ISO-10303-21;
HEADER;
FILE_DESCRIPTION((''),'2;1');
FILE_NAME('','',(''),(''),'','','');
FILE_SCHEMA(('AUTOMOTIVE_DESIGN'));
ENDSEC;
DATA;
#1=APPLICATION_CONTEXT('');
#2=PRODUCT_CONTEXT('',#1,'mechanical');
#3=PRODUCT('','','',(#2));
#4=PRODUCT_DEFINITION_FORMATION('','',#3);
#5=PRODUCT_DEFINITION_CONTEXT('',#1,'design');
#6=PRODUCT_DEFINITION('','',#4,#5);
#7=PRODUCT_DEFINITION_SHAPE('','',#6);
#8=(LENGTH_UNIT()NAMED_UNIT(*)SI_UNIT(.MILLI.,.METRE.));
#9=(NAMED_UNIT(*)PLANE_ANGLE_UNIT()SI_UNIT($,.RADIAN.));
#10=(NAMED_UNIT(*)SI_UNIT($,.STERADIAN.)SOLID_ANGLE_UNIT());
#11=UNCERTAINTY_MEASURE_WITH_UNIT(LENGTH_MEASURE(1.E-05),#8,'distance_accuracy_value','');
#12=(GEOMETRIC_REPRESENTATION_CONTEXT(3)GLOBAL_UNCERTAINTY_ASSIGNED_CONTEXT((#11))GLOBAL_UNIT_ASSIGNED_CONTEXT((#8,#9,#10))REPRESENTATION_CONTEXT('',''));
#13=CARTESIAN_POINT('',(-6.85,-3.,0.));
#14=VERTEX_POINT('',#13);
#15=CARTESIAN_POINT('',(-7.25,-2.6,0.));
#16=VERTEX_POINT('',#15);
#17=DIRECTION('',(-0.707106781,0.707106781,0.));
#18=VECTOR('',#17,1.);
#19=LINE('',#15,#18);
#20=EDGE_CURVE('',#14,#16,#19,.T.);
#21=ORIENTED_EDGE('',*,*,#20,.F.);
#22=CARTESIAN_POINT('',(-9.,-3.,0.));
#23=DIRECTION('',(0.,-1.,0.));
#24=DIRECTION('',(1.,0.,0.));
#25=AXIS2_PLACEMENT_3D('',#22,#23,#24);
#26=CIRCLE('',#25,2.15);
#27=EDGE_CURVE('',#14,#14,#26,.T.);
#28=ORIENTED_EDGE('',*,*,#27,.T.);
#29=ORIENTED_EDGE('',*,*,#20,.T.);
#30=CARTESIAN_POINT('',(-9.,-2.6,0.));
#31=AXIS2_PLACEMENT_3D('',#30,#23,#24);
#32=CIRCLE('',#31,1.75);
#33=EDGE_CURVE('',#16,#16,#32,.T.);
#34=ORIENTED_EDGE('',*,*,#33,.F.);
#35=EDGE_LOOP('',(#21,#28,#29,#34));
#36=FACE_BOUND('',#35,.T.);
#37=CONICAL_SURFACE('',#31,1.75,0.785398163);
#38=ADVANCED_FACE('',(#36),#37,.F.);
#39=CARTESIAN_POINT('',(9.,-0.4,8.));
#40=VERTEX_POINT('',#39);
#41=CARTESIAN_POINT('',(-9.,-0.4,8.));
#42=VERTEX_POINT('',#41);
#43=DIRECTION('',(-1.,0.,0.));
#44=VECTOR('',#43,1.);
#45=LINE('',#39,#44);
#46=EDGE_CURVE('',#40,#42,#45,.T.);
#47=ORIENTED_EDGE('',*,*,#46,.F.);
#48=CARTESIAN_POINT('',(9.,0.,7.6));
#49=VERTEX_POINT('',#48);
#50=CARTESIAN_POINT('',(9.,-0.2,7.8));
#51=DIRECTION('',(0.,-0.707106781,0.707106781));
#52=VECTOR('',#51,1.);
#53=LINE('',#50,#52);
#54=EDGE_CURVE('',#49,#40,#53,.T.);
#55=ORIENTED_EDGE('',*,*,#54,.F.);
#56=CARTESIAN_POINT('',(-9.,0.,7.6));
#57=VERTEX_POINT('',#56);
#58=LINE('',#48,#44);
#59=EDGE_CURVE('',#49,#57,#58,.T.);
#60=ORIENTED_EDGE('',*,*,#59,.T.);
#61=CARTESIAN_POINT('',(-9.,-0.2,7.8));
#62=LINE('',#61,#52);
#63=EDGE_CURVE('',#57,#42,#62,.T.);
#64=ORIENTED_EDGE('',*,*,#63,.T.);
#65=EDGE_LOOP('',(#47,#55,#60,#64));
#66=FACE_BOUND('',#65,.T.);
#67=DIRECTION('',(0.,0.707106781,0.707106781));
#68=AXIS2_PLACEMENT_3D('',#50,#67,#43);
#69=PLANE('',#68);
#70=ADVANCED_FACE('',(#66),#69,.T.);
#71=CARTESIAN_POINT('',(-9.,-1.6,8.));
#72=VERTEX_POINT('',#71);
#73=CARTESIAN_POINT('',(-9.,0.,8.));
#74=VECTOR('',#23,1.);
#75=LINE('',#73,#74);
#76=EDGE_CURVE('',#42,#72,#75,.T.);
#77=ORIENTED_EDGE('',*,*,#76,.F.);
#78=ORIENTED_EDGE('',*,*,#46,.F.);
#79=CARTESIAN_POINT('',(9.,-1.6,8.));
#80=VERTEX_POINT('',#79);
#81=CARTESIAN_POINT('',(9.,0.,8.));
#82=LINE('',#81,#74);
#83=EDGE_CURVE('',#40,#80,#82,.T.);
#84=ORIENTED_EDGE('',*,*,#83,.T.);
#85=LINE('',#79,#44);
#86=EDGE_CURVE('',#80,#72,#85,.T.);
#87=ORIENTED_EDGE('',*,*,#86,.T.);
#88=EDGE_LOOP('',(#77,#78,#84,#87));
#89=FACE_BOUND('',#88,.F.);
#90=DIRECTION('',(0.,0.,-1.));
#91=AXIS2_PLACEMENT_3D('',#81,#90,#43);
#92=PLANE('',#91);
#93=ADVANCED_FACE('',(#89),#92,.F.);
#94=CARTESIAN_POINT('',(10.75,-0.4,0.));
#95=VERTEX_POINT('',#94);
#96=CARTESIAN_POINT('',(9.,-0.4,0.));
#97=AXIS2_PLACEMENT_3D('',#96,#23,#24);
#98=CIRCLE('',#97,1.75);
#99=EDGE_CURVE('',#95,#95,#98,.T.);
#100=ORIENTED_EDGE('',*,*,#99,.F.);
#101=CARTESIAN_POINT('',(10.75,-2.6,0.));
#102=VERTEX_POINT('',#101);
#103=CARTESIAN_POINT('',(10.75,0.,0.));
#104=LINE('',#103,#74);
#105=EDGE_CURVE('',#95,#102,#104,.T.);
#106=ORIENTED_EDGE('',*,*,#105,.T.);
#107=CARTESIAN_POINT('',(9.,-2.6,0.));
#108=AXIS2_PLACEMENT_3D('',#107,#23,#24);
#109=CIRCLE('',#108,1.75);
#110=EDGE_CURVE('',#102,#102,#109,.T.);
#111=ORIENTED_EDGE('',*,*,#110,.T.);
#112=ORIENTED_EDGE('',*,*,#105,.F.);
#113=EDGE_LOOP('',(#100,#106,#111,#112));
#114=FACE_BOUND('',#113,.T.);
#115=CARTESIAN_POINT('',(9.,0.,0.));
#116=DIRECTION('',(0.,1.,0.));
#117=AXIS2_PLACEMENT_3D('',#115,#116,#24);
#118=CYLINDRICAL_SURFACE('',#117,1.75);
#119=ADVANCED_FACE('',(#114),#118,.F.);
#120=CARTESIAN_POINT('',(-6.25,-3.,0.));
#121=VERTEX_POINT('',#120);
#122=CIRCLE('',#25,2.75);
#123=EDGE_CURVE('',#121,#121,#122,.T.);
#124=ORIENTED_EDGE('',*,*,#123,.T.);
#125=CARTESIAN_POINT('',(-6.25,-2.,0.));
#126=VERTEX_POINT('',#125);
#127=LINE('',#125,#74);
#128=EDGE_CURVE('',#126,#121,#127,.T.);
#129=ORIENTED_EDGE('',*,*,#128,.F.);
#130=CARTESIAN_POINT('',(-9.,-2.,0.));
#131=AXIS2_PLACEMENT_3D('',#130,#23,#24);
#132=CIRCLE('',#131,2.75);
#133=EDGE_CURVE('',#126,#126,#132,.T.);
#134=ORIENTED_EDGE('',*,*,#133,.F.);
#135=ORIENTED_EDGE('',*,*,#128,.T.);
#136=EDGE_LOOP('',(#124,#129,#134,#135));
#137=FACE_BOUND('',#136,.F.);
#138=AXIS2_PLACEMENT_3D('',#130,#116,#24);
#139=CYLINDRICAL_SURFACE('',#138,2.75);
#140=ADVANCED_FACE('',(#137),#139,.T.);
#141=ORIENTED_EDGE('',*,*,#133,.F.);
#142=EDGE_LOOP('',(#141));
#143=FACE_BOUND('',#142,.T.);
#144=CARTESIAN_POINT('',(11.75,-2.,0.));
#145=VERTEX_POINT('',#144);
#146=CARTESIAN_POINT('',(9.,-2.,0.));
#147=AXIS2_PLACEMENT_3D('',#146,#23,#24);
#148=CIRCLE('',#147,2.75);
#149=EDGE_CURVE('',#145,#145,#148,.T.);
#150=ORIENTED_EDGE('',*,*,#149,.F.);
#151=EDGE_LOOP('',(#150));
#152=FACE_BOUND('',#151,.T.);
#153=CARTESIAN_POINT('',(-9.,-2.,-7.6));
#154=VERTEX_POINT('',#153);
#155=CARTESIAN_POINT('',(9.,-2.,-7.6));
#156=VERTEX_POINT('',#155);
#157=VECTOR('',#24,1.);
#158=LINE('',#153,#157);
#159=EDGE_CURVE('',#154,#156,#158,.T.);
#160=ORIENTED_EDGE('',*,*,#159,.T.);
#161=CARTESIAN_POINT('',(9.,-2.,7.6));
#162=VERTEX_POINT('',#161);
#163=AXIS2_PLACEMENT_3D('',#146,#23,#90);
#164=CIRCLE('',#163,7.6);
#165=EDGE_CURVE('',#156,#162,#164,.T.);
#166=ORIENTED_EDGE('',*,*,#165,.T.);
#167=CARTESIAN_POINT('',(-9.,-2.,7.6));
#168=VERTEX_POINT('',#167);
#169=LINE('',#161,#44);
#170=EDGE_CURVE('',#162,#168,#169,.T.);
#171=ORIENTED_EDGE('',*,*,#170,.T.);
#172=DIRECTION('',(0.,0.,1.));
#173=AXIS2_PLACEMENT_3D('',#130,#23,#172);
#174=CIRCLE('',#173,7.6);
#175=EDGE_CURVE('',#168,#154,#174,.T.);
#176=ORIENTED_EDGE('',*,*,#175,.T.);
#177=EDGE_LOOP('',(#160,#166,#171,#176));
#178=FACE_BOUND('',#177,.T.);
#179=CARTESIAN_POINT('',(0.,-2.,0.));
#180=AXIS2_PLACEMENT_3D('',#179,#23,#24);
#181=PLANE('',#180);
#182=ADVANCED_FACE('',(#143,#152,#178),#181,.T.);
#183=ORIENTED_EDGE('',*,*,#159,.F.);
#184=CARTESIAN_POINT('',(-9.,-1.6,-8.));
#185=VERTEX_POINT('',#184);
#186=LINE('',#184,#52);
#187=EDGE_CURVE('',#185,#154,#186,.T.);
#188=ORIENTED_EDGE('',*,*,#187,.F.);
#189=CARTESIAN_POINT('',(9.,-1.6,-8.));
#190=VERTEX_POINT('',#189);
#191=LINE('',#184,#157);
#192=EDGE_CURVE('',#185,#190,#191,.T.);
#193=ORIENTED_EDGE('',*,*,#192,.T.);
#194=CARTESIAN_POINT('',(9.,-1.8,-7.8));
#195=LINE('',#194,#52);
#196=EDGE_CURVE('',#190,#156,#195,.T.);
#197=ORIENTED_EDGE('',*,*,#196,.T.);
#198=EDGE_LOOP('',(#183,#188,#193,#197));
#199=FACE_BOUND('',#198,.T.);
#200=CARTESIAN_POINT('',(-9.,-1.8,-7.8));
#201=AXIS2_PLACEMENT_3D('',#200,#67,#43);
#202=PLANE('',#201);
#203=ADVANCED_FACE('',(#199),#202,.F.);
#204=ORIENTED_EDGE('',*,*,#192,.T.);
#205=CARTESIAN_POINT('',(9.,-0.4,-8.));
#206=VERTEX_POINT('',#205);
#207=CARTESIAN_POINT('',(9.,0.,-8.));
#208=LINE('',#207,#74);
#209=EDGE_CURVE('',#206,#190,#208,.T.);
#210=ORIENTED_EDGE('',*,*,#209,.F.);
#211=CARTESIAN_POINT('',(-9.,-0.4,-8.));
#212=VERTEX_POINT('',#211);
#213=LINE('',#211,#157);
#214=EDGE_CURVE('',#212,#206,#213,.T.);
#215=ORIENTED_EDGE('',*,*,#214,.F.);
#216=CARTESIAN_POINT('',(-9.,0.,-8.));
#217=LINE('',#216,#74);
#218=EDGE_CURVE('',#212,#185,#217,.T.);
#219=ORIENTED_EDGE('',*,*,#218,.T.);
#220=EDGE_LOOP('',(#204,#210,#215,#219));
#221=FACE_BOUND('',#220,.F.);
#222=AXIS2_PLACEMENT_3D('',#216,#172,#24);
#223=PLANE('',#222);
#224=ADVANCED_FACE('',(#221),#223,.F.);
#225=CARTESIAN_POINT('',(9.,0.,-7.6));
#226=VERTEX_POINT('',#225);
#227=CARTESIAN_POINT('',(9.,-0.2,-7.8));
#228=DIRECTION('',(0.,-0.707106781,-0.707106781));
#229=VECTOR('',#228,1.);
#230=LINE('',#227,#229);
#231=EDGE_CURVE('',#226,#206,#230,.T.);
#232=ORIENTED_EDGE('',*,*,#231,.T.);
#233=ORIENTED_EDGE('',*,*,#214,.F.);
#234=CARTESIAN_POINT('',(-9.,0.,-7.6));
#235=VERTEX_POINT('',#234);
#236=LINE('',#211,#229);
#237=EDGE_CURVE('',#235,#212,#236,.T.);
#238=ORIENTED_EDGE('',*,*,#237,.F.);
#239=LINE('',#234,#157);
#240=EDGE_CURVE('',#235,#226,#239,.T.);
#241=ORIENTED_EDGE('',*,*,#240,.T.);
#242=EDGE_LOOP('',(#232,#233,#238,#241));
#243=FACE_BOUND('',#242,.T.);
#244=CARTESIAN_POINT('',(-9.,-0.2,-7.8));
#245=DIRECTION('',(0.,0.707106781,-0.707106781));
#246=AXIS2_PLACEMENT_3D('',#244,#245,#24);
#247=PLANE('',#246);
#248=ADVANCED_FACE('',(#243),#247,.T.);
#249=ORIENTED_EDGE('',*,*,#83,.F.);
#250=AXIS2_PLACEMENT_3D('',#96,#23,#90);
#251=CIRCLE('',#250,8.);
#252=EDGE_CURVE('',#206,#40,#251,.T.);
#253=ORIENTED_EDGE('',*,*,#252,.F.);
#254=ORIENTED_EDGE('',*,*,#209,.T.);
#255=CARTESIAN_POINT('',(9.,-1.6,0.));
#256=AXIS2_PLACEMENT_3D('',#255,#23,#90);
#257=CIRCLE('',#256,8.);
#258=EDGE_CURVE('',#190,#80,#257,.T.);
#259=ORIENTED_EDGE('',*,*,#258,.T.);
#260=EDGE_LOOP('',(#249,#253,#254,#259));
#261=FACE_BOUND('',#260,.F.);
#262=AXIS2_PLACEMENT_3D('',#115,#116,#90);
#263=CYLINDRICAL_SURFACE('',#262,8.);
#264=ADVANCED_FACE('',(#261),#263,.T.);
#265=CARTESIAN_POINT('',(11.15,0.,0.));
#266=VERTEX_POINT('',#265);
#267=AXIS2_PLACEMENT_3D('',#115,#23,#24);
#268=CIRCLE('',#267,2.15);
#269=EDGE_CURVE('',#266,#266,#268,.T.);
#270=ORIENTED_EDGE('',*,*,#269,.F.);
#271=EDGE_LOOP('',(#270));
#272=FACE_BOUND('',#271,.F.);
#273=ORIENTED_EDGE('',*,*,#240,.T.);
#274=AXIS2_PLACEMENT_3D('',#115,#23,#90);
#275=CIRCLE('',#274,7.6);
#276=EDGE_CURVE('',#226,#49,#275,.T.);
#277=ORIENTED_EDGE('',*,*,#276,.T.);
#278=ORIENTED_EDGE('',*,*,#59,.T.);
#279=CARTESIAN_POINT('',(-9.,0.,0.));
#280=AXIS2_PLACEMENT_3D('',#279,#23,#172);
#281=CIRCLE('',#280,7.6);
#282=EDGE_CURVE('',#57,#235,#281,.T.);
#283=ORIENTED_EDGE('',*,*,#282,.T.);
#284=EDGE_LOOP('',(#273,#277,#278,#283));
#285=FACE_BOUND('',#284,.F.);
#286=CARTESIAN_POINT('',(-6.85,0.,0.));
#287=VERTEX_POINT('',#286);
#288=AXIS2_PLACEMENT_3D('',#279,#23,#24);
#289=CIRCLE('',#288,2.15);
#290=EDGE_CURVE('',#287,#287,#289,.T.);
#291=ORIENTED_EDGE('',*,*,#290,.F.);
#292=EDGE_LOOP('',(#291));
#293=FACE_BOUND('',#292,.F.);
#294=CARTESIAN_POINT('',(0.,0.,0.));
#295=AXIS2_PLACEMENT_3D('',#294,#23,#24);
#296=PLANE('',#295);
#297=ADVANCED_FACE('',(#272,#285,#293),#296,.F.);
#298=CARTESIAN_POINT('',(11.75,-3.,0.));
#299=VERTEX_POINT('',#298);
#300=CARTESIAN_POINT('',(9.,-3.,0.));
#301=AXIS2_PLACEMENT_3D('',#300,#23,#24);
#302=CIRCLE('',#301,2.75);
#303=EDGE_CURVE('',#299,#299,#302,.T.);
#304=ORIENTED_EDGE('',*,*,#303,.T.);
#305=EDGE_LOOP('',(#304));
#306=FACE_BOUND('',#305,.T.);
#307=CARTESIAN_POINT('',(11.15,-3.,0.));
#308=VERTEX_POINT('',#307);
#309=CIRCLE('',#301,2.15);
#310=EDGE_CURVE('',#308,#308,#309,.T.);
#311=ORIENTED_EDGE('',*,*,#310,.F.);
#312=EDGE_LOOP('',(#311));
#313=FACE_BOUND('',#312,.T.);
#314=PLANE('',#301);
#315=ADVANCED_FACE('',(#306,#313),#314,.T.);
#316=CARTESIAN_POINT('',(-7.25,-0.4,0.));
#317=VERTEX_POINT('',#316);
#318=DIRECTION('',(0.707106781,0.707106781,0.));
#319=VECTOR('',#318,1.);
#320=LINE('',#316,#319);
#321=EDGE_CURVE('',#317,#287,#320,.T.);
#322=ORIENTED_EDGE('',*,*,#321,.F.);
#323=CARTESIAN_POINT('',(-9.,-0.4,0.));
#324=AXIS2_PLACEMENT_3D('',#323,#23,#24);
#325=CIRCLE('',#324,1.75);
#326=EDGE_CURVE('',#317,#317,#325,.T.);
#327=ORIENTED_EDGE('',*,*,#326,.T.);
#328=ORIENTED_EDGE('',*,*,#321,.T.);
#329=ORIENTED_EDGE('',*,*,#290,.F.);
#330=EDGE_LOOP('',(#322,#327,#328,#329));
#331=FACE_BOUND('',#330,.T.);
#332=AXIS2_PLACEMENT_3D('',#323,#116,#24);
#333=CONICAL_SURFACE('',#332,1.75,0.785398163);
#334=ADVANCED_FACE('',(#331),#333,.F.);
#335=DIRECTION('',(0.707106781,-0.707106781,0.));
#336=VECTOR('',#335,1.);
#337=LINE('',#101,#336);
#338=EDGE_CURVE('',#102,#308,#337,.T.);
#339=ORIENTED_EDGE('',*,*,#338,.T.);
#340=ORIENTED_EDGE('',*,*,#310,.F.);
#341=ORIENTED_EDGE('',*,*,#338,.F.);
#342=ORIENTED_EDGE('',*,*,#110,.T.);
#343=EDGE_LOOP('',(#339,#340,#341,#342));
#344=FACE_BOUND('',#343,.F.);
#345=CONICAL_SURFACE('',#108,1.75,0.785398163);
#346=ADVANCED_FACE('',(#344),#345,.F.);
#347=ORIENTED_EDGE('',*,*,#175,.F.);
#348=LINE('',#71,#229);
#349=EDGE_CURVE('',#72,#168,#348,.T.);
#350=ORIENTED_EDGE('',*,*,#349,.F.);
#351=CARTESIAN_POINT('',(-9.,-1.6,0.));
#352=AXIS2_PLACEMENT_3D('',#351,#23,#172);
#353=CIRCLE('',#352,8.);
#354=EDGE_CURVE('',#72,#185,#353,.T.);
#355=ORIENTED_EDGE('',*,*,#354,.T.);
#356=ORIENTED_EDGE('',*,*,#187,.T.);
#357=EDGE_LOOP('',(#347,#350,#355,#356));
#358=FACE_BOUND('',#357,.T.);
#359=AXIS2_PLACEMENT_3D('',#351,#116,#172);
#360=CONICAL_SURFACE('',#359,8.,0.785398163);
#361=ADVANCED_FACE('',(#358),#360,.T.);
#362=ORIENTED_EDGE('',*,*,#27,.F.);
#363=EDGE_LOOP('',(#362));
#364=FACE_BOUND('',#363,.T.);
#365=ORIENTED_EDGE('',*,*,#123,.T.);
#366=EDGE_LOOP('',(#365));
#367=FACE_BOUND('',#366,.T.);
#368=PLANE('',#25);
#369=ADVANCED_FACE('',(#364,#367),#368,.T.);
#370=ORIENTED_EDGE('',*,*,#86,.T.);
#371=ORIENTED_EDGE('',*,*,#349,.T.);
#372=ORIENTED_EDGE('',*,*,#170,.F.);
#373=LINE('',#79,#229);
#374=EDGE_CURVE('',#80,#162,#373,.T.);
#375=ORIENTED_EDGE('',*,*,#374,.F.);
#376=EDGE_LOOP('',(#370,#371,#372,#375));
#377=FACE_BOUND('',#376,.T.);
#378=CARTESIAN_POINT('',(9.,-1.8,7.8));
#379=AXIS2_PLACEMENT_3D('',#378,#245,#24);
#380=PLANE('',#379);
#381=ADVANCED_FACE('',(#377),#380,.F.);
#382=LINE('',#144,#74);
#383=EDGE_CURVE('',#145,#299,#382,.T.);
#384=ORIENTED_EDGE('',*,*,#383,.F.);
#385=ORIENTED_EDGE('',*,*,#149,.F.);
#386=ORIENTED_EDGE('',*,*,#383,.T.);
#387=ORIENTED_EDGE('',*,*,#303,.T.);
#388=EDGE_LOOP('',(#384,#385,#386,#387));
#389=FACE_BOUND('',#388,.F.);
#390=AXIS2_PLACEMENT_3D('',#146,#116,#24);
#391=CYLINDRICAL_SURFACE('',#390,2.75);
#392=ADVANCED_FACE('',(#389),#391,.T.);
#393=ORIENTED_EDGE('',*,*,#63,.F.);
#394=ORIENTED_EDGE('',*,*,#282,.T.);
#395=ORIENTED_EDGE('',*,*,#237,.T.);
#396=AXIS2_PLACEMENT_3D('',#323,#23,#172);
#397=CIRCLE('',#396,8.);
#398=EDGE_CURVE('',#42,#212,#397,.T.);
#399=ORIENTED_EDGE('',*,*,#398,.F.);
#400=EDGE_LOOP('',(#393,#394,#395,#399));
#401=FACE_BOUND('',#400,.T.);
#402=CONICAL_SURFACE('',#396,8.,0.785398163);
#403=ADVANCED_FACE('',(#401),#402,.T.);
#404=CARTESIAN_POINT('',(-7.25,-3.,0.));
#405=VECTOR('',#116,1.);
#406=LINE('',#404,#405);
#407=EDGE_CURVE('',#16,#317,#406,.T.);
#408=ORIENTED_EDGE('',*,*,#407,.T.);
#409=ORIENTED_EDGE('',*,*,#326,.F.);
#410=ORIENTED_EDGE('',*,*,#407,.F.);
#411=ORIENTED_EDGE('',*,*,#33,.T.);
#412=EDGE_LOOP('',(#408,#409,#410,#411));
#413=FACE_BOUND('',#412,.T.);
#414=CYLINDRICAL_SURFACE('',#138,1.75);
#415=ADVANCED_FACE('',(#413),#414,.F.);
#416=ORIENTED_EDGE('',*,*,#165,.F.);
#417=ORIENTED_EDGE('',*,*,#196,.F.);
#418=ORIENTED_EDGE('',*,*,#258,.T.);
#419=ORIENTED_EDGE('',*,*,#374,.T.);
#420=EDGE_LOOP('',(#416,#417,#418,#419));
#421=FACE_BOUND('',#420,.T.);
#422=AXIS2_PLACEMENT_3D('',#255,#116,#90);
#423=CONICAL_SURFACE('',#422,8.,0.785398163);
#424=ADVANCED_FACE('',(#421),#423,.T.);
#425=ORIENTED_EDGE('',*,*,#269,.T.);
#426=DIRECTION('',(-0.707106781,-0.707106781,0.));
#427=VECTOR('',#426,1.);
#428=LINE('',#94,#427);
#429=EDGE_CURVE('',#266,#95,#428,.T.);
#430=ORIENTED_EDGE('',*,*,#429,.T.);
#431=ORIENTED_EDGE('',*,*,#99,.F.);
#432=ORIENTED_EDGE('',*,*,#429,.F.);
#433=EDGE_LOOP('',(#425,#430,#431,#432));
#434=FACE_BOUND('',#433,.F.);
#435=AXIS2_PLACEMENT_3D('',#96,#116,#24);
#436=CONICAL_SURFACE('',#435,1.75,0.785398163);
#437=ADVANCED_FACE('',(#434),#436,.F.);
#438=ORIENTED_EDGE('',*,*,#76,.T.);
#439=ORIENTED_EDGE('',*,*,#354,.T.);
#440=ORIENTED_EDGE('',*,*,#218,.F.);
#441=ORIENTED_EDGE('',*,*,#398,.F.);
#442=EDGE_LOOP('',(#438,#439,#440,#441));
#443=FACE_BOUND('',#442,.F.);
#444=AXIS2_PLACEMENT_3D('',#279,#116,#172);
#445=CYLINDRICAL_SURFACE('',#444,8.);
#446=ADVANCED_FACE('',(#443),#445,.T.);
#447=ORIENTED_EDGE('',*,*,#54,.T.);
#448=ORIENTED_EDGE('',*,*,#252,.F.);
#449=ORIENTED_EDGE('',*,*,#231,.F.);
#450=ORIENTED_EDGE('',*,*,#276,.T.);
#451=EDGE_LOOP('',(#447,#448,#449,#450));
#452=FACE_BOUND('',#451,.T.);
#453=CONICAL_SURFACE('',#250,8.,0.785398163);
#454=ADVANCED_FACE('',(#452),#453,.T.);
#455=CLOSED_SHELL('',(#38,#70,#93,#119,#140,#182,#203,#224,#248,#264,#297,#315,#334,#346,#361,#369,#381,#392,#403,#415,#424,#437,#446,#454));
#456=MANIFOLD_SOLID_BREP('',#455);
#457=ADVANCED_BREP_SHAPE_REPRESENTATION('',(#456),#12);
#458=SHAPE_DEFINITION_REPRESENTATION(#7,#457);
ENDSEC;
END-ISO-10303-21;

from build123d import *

# Parameters (mm, degrees)
F0_R     = 1.75
F1_DEPTH = 2
F2_R     = 2.75
F2_R_2   = 1.75
F3_DEPTH = 1
F4_SIZE  = 0.4


with BuildPart() as f1:
    # F0 (on Front) → F1 (new body)
    with BuildSketch(Plane.XZ):
        with BuildLine():
            ThreePointArc((-9, 8), (-17, 0), (-9, -8))
            Line((-9, -8), (9, -8))
            ThreePointArc((9, -8), (17, 0), (9, 8))
            Line((9, 8), (-9, 8))
        make_face()
        with Locations((-9, 0)):
            Circle(F0_R, mode=Mode.SUBTRACT)
        with Locations((9, 0)):
            Circle(F0_R, mode=Mode.SUBTRACT)
    extrude(amount=F1_DEPTH)

    # F2 (on face) → F3 (join)
    with BuildSketch(Plane.XZ.offset(2)):
        with Locations((-9, 0)):
            Circle(F2_R)
        with Locations((-9, 0)):
            Circle(F2_R_2, mode=Mode.SUBTRACT)
        with Locations((9, 0)):
            Circle(F2_R)
        with Locations((9, 0)):
            Circle(F2_R_2, mode=Mode.SUBTRACT)
    extrude(amount=F3_DEPTH)

    # F4
    f4_edges = [f1.edges().sort_by_distance(p)[0] for p in [
        (-17, -2, 0),
        (0, -2, -8),
        (0, -2, 8),
        (17, -2, 0),
        (0, 0, 8),
        (-17, 0, 0),
        (0, 0, -8),
        (17, 0, 0),
        (-10.75, 0, 0),
        (7.25, 0, 0),
        (-10.75, -3, 0),
        (7.25, -3, 0),
    ]]
    chamfer(f4_edges, length=F4_SIZE)


solid = f1.part
